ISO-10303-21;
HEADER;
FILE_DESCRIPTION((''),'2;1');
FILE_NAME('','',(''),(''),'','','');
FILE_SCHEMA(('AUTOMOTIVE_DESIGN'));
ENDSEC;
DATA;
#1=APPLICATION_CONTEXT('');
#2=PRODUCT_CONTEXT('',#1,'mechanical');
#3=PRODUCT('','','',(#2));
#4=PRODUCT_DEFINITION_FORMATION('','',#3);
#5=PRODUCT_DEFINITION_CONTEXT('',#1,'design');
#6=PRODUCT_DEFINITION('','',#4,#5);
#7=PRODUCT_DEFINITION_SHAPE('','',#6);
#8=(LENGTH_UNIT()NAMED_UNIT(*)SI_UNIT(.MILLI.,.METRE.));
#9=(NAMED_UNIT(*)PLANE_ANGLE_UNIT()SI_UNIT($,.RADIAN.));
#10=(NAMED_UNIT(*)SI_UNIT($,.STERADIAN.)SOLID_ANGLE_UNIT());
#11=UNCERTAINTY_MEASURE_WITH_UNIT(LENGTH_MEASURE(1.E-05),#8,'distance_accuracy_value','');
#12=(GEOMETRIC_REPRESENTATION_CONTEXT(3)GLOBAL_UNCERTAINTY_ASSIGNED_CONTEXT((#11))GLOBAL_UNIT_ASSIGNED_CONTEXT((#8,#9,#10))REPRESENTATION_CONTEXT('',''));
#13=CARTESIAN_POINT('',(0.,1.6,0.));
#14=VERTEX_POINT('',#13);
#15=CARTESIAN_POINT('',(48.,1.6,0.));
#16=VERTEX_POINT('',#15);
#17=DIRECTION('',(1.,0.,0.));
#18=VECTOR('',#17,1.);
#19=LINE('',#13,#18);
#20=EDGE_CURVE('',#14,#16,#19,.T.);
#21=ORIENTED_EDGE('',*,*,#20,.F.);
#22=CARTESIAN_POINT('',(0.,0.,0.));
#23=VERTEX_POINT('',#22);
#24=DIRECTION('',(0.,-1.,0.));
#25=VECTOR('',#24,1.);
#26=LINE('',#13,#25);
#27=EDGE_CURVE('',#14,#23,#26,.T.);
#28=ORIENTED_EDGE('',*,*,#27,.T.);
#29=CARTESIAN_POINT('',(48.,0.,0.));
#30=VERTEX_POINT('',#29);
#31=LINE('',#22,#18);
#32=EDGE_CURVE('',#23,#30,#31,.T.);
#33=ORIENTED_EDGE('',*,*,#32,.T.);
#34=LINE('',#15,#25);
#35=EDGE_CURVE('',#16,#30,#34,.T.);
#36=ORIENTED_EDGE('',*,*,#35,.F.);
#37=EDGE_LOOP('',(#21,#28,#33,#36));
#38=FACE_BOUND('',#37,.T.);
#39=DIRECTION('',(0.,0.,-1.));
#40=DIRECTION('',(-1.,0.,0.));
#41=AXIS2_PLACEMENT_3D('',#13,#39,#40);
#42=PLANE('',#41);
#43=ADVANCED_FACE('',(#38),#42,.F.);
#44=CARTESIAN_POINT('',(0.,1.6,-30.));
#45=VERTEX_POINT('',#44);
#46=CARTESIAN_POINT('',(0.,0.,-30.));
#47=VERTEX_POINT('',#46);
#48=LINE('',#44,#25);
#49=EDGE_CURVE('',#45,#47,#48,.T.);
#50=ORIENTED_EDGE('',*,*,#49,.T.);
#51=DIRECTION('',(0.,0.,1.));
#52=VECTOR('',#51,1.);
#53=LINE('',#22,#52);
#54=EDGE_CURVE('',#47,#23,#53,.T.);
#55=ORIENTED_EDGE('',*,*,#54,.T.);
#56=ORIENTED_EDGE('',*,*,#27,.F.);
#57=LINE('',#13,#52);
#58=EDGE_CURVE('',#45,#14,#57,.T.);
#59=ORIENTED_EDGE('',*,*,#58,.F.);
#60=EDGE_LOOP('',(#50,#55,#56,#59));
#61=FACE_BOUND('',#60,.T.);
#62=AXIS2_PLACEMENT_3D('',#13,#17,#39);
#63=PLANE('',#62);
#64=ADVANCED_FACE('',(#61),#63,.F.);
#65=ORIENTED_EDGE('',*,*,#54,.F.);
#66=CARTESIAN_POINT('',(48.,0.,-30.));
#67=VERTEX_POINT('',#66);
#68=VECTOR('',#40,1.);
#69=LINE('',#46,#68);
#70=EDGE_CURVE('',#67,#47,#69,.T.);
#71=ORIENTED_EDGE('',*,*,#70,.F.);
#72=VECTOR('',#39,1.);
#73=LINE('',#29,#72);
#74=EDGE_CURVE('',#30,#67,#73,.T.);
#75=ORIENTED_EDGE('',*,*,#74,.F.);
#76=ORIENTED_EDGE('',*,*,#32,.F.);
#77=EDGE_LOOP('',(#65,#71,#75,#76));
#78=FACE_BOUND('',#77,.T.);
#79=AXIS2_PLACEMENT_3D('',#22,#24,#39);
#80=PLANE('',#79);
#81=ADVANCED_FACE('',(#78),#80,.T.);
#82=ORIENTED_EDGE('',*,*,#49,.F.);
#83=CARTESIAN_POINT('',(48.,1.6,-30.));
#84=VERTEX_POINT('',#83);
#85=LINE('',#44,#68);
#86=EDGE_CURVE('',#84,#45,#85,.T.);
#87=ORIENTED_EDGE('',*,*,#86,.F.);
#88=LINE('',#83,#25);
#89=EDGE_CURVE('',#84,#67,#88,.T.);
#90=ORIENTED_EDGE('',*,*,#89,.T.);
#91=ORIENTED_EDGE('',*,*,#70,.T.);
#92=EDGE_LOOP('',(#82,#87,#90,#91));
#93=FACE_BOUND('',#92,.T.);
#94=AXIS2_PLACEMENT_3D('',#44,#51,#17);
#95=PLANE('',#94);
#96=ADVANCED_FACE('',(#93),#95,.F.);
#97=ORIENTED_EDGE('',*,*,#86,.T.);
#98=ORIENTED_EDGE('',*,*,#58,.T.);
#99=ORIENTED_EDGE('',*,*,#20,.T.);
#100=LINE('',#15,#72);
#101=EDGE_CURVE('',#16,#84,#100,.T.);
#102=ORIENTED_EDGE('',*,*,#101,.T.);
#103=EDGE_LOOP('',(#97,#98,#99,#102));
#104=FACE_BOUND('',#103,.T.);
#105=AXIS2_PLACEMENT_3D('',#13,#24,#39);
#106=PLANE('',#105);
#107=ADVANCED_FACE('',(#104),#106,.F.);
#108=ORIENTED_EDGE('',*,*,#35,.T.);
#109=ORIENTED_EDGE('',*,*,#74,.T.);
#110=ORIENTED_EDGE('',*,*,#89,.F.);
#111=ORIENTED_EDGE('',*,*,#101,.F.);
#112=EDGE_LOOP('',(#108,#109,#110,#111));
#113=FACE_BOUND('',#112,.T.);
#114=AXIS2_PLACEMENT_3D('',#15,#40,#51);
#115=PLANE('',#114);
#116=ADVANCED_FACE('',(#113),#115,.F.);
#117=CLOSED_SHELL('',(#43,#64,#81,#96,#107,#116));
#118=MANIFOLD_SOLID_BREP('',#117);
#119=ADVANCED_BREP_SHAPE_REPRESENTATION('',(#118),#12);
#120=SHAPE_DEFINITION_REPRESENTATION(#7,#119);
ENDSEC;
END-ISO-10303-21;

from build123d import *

# Parameters (mm, degrees)
SKETCH1_W           = 48
SKETCH1_H           = 30
BOSS_EXTRUDE1_DEPTH = 1.6


with BuildPart() as part:
    # Sketch1 → Boss-Extrude1 (new body)
    with BuildSketch(Plane(origin=(0, 0, 0), x_dir=(1, 0, 0), z_dir=(0, 1, 0))):
        with Locations((24, 15)):
            Rectangle(SKETCH1_W, SKETCH1_H)
    extrude(amount=BOSS_EXTRUDE1_DEPTH)


solid = part.part
